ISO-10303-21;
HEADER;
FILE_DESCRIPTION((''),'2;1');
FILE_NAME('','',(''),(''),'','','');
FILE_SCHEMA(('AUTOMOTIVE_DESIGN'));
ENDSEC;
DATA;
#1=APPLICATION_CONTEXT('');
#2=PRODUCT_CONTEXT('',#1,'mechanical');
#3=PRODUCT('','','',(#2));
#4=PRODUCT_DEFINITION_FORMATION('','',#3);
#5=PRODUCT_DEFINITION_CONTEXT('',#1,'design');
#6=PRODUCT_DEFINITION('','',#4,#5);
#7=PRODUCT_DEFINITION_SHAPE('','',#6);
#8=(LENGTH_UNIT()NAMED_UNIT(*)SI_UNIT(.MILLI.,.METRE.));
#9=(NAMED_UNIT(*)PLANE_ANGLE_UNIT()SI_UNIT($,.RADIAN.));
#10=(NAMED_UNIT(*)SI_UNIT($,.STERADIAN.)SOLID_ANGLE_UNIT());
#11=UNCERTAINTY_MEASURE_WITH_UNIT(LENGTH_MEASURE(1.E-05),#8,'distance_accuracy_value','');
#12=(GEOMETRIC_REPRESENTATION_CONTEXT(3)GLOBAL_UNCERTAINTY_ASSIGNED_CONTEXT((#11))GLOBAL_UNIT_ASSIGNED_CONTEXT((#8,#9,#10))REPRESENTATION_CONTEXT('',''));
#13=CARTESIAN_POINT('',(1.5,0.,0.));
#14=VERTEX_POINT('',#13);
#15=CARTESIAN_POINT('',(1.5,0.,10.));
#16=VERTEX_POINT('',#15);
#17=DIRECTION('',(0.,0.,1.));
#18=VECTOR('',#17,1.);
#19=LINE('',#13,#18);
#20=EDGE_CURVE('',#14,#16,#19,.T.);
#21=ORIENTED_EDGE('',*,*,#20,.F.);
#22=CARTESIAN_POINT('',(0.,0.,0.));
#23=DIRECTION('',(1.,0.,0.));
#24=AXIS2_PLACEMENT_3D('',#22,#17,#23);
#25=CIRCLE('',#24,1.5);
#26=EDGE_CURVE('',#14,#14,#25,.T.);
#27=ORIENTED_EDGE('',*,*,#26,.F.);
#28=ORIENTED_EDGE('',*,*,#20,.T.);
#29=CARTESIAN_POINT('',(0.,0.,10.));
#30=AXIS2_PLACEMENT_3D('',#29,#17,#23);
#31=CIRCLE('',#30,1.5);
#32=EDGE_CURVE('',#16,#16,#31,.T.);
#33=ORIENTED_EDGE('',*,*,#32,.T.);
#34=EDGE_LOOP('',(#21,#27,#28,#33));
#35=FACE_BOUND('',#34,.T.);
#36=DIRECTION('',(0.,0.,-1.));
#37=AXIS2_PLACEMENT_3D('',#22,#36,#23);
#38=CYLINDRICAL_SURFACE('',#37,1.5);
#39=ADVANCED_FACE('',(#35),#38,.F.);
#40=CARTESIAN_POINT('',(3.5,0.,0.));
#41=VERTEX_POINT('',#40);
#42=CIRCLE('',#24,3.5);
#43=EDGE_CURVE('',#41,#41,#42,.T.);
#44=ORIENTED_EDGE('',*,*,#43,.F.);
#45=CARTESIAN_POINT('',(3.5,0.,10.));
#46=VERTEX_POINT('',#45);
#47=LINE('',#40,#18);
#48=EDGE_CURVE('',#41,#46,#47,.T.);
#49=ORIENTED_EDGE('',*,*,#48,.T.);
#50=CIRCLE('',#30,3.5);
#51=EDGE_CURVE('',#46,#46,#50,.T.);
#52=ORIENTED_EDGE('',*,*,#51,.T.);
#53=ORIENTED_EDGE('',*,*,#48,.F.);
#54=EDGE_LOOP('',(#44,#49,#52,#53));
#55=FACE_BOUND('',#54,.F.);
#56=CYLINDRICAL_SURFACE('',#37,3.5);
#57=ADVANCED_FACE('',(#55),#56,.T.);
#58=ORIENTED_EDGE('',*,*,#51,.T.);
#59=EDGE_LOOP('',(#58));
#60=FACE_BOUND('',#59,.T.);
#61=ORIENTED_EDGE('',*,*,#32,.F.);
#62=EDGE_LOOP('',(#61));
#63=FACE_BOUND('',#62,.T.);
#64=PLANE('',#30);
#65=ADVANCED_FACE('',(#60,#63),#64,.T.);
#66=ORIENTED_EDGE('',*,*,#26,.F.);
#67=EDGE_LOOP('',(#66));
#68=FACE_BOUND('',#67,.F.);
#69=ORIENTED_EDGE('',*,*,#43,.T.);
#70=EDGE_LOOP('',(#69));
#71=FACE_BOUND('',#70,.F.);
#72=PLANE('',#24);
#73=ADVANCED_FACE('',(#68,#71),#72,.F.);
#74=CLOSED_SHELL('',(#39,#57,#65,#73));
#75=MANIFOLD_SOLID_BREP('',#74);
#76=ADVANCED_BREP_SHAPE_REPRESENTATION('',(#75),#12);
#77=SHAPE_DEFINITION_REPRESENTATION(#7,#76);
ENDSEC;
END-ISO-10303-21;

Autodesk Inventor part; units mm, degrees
ref_plane "YZ Plane" through (0, 0, 0) normal (1, 0, 0) x (0, 1, 0)
ref_plane "XZ Plane" through (0, 0, 0) normal (0, 1, 0) x (-1, 0, 0)
ref_plane "XY Plane" through (0, 0, 0) normal (0, 0, 1) x (1, 0, 0)
sketch "Sketch1" plane through (0, 0, 0) normal (0, 0, 1) x (1, 0, 0)
  circle A0 centre (0, 0) radius 3.5
  circle A1 centre (0, 0) radius 1.5
  dimension "d0" = 7
  dimension "d3" = 3
extrude "Extrusion1" add sketch "Sketch1" along normal blind 10
properties part number "bearing linear 3x7x10mm"
